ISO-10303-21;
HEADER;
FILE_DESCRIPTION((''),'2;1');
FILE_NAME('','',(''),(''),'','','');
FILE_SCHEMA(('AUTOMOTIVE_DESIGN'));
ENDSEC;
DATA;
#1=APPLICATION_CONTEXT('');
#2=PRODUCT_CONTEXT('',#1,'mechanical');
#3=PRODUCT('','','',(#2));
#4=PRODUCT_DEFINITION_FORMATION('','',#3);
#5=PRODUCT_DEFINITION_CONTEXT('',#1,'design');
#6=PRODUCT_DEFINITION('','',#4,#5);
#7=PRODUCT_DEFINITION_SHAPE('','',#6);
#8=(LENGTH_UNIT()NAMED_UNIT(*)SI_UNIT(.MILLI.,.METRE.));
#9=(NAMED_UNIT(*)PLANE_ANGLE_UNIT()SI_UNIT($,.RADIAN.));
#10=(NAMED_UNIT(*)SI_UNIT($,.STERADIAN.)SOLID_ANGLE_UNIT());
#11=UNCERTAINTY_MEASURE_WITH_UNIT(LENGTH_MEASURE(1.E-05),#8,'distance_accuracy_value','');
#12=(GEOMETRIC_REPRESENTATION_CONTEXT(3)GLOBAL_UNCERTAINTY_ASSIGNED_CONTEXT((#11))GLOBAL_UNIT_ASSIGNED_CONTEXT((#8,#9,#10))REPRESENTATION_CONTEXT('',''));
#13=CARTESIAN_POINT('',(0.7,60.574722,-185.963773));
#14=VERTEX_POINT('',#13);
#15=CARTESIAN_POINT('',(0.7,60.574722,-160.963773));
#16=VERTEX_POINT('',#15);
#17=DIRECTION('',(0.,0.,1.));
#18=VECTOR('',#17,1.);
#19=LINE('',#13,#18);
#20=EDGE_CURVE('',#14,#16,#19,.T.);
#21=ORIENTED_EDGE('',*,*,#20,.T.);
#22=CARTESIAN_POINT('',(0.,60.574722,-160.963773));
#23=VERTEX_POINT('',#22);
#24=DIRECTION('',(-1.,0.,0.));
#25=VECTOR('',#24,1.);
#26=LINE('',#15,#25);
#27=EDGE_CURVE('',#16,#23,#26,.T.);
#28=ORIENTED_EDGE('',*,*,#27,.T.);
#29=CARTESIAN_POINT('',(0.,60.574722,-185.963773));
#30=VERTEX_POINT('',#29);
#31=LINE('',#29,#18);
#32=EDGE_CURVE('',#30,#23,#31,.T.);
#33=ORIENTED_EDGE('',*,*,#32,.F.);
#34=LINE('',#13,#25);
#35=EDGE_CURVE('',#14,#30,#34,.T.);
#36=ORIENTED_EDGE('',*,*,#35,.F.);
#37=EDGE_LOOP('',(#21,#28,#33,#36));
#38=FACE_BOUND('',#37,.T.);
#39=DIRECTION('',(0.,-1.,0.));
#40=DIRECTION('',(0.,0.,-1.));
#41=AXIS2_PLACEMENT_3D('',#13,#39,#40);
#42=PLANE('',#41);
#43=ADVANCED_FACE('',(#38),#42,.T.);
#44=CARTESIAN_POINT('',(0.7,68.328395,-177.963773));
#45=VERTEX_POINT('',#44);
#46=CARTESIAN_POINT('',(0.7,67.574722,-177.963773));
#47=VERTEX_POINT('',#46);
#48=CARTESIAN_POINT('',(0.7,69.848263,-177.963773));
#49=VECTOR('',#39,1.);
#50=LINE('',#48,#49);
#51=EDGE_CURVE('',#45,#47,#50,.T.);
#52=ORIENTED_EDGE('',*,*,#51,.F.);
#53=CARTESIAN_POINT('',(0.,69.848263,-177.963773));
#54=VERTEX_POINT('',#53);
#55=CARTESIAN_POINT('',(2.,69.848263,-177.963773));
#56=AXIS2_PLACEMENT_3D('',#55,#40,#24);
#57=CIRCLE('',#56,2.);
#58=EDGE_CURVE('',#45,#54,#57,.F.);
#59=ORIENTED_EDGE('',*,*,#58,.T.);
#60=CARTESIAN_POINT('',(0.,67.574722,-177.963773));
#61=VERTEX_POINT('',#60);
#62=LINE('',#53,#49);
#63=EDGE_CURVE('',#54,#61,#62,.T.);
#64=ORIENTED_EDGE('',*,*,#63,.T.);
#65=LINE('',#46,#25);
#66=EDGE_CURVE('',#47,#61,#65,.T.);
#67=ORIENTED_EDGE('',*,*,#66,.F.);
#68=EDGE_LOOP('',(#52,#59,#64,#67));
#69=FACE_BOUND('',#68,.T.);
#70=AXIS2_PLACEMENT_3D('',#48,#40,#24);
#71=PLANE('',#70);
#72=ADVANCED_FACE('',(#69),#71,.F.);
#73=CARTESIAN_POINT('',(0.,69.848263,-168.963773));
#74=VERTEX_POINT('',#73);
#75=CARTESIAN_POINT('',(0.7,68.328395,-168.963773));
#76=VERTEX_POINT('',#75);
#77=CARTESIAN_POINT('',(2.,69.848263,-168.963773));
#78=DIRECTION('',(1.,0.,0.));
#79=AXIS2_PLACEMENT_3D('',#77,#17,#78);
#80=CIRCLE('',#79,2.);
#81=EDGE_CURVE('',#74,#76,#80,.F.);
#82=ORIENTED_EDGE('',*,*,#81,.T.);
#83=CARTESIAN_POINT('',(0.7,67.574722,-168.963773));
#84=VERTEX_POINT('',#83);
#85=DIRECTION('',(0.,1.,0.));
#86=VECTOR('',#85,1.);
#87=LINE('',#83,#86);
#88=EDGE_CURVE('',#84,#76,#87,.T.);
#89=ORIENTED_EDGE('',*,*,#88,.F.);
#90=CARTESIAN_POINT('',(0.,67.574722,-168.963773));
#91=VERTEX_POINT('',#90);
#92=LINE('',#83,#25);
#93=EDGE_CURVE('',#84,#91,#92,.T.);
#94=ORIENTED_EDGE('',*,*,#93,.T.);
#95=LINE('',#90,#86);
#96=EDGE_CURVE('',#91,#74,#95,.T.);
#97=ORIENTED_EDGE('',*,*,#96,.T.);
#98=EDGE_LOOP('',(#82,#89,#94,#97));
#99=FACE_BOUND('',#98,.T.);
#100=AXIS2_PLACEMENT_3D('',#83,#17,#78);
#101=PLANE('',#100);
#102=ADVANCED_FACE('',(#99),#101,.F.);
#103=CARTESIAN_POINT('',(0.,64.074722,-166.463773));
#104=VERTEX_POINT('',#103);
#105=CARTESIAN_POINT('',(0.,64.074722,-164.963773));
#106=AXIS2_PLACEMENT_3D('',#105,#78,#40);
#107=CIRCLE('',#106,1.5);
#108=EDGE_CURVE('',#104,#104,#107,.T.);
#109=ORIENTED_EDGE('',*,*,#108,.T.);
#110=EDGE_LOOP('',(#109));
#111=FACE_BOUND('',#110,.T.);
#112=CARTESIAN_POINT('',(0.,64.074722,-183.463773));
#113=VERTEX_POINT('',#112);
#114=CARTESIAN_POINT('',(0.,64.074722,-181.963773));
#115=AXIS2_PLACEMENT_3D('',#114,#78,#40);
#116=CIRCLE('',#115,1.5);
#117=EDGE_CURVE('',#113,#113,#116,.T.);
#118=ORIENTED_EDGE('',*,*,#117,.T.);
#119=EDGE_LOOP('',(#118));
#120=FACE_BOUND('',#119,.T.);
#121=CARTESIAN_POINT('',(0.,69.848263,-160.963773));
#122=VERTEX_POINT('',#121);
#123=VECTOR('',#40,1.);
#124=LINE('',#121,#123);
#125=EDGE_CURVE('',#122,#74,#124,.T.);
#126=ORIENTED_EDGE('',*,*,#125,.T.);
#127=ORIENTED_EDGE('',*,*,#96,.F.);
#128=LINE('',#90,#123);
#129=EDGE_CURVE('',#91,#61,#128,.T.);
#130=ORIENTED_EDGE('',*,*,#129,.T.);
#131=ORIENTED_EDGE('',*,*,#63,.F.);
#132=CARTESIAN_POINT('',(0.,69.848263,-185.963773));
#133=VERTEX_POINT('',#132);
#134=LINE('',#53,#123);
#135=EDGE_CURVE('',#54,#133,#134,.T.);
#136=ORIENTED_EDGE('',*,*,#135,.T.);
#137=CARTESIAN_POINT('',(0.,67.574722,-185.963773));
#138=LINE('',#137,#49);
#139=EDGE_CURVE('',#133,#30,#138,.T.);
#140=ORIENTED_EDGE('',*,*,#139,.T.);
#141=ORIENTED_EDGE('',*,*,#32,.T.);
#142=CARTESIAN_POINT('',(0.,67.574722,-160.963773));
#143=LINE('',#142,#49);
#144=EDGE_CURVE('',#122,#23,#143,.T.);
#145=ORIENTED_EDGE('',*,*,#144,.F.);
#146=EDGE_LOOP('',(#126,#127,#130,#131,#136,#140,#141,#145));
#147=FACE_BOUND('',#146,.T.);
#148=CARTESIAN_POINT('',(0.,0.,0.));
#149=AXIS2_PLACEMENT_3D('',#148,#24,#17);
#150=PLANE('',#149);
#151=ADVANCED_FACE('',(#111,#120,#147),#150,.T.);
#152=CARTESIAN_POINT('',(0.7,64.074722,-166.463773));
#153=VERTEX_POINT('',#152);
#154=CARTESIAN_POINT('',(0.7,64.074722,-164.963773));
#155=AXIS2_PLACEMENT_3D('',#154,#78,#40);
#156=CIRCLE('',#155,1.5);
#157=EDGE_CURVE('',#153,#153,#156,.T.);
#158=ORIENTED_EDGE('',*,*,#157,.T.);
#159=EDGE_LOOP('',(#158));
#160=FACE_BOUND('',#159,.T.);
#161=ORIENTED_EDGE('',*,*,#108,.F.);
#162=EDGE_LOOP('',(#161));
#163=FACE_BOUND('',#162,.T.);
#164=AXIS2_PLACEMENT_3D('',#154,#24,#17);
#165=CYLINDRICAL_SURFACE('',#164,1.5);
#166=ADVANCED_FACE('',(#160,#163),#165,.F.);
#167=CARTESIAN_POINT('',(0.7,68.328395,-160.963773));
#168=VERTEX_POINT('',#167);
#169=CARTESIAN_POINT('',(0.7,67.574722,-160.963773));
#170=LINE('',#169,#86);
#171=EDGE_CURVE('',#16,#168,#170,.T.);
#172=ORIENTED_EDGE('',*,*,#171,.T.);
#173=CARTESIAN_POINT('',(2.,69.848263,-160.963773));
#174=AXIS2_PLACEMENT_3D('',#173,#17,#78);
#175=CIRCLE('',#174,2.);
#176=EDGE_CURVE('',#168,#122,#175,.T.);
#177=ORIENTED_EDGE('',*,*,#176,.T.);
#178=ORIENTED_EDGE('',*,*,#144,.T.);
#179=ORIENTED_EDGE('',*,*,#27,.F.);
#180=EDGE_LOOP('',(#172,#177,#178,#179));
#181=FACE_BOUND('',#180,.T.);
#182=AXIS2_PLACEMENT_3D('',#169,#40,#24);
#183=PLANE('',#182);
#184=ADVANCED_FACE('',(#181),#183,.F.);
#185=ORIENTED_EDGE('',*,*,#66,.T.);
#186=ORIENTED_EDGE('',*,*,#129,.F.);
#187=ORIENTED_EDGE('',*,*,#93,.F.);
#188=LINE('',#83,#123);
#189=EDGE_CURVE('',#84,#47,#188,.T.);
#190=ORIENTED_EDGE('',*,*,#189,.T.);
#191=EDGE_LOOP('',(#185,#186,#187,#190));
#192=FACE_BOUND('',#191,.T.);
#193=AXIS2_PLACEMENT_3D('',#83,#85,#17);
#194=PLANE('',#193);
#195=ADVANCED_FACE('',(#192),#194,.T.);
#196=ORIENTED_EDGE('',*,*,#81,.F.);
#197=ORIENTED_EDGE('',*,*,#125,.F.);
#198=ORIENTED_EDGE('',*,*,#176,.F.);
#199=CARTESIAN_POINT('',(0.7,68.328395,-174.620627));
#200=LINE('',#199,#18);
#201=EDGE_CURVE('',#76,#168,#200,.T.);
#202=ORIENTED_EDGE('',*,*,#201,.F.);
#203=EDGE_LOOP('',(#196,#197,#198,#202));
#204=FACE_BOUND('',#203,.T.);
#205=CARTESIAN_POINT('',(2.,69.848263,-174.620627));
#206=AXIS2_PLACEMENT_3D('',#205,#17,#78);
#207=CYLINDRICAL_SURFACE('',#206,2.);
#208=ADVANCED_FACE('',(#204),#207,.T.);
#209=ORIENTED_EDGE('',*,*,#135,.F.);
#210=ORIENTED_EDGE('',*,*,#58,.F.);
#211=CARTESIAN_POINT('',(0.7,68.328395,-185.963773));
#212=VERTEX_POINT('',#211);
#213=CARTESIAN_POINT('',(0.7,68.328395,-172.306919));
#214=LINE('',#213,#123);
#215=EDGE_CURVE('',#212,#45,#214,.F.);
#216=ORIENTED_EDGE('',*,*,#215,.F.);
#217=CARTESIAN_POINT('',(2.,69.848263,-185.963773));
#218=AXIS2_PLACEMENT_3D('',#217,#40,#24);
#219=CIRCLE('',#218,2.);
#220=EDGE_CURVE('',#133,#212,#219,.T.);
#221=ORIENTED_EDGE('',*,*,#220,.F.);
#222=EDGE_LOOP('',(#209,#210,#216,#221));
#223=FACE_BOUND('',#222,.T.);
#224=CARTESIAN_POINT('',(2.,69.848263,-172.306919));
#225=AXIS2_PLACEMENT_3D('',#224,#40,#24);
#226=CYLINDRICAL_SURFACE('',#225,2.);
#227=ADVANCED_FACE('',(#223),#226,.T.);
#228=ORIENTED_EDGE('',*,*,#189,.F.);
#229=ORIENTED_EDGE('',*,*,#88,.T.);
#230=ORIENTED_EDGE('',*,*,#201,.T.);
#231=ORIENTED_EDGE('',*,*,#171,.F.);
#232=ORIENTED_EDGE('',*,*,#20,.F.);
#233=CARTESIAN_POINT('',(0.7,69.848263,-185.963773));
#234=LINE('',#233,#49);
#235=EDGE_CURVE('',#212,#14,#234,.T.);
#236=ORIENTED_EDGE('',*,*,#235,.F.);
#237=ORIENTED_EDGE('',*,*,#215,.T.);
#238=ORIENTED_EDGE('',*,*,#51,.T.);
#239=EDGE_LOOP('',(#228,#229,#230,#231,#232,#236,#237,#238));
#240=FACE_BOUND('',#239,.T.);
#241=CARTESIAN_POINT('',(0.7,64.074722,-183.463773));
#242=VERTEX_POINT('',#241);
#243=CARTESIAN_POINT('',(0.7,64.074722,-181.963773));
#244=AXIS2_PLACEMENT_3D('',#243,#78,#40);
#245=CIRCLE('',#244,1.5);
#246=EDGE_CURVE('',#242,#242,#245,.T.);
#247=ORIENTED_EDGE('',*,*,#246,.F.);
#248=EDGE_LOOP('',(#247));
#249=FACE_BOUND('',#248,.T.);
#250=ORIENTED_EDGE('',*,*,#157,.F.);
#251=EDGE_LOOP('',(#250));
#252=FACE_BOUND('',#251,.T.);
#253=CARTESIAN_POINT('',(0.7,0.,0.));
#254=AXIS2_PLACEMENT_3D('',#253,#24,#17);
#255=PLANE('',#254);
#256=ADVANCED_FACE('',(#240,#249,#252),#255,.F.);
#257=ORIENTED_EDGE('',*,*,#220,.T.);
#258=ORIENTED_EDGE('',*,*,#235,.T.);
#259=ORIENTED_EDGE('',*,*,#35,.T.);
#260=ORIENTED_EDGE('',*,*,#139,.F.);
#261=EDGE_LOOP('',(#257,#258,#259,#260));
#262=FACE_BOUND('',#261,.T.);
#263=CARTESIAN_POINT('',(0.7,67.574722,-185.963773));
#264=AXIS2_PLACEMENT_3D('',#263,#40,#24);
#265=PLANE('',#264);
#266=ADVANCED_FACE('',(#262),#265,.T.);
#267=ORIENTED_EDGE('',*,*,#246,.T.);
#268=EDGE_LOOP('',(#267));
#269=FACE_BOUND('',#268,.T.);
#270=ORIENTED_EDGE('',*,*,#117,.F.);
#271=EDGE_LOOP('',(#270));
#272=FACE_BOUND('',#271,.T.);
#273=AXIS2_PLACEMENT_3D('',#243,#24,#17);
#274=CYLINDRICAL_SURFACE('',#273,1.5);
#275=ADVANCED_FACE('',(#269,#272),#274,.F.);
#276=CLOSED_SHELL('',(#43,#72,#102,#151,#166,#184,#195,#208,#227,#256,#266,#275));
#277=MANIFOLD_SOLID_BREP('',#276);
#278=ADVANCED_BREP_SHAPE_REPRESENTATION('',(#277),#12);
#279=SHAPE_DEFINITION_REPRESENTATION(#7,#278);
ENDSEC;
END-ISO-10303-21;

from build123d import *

# Parameters (mm, degrees)
SKETCH_1_R      = 1.5
EXTRUDE_1_DEPTH = 0.7
SKETCH_3_R      = 2
EXTRUDE_3_DEPTH = 8
SKETCH_4_R      = 2
EXTRUDE_4_DEPTH = 8


with BuildPart() as part:
    # 草图1 → 凸台-拉伸1 (new body)
    with BuildSketch(Plane(origin=(0, 0, 0), x_dir=(0, 0, -1), z_dir=(1, 0, 0))):
        Polygon((185.963773135, 67.574722086), (185.963773135, 60.574722086), (160.963773135, 60.574722086), (160.963773135, 67.574722086), (160.963773135, 69.848263268), (168.963773135, 69.848263268), (168.963773135, 67.574722086), (177.963773135, 67.574722086), (177.963773135, 69.848263268), (185.963773135, 69.848263268), align=None)
        with Locations((181.963773135, 64.074722086)):
            Circle(SKETCH_1_R, mode=Mode.SUBTRACT)
        with Locations((164.963773135, 64.074722086)):
            Circle(SKETCH_1_R, mode=Mode.SUBTRACT)
    extrude(amount=EXTRUDE_1_DEPTH)

    # 草图3 → 凸台-拉伸3 (add)
    with BuildSketch(Plane.XY.offset(-160.963773135)):
        with Locations((2, 69.848263268)):
            Circle(SKETCH_3_R)
    extrude(amount=-EXTRUDE_3_DEPTH)

    # 草图4 → 凸台-拉伸4 (add)
    with BuildSketch(Plane(origin=(0, 0, -185.963773135), x_dir=(-1, 0, 0), z_dir=(0, 0, -1))):
        with Locations((-2, 69.848263268)):
            Circle(SKETCH_4_R)
    extrude(amount=-EXTRUDE_4_DEPTH)


solid = part.part
